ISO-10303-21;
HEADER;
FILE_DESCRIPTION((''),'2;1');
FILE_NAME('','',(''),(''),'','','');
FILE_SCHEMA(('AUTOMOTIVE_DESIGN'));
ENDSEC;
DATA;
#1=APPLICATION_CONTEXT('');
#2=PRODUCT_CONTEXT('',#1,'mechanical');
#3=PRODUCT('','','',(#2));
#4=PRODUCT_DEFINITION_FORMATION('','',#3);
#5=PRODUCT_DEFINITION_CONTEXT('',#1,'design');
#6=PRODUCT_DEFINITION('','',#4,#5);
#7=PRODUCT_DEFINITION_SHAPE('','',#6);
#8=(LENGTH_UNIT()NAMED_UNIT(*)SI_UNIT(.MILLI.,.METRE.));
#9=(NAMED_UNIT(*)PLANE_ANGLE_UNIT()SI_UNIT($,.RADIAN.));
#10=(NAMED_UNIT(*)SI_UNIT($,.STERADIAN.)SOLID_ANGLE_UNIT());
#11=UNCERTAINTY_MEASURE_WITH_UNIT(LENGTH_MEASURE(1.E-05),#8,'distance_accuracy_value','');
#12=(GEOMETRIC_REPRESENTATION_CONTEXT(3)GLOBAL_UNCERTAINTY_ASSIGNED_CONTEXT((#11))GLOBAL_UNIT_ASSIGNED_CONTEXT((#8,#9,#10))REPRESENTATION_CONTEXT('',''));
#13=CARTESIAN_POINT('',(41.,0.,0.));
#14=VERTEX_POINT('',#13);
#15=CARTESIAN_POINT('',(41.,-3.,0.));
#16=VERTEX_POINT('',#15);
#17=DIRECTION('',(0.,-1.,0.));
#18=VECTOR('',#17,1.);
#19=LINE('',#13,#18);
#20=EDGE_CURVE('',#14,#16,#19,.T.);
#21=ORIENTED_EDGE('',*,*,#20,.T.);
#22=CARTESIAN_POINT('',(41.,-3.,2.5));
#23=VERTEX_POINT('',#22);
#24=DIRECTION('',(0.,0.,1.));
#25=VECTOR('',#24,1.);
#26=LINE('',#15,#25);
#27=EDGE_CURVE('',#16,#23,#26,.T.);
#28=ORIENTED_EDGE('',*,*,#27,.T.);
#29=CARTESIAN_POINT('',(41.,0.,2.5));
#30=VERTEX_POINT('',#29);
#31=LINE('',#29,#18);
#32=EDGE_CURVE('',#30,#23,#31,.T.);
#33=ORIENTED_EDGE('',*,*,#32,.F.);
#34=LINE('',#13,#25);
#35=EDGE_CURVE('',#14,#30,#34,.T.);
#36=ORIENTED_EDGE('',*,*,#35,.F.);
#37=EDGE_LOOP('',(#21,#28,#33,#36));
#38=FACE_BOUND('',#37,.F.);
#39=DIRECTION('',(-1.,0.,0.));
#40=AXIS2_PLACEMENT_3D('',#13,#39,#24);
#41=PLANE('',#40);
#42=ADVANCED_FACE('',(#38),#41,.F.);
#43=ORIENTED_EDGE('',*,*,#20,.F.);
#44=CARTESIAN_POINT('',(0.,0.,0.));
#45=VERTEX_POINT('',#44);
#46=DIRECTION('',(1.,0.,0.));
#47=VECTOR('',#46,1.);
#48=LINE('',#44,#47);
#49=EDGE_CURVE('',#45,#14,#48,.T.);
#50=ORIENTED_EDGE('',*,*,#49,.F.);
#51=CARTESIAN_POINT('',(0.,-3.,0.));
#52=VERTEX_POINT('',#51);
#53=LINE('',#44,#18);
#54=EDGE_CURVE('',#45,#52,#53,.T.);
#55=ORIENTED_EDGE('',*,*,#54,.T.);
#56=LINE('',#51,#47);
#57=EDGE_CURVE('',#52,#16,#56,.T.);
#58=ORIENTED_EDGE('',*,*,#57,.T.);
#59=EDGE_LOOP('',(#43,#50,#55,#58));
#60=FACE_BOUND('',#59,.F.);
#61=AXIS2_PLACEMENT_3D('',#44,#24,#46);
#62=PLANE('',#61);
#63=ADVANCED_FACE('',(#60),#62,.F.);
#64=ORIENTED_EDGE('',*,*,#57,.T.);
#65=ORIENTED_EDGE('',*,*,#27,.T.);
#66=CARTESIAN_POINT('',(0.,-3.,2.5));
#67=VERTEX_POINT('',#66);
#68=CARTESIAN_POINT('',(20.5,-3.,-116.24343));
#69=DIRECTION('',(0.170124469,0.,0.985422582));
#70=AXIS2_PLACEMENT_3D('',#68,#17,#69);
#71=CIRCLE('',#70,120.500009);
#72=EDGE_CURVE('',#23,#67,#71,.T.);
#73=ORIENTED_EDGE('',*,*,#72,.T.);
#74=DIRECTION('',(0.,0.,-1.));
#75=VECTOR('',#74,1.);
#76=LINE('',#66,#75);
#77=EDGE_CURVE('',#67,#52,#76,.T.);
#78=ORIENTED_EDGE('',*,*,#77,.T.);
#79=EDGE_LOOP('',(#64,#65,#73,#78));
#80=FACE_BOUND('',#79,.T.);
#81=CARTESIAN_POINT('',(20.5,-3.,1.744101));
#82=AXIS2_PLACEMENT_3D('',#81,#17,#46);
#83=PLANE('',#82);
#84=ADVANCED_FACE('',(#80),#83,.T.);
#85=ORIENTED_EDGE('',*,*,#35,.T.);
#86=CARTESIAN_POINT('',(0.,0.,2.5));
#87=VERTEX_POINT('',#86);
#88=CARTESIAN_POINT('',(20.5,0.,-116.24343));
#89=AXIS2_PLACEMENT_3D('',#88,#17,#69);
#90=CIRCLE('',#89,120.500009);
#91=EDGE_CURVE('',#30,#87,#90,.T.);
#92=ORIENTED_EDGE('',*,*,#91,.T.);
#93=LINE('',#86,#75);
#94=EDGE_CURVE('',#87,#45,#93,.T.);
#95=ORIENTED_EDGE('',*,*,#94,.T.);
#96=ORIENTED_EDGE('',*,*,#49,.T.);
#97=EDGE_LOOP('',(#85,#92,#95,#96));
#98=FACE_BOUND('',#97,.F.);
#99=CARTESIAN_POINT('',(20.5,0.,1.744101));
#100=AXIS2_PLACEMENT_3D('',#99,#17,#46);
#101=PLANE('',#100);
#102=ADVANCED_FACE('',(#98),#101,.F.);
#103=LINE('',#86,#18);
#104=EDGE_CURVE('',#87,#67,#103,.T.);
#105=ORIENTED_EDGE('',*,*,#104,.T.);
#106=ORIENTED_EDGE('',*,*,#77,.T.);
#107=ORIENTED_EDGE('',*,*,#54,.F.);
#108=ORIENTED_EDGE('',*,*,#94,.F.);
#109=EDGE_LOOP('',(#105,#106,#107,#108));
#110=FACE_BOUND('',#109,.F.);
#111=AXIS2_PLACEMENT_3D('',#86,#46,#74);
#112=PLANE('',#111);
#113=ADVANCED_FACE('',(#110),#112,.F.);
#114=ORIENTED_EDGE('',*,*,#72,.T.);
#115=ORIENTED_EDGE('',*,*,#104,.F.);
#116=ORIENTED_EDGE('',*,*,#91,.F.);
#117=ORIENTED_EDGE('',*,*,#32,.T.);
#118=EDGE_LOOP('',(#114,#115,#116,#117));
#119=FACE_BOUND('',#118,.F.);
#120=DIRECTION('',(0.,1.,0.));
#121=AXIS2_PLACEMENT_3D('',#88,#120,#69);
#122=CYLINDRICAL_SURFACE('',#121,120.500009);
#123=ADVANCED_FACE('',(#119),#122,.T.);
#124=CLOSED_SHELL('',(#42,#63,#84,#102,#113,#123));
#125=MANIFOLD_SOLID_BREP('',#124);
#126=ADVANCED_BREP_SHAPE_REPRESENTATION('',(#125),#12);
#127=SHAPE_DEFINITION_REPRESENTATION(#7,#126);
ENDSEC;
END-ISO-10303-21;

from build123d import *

# Parameters (mm, degrees)
PAD_DEPTH = 3


with BuildPart() as part:
    # Sketch → Pad (new body)
    with BuildSketch(Plane.XZ):
        with BuildLine():
            Line((0, 2.5), (0, 0))
            Line((0, 0), (41, 0))
            Line((41, 0), (41, 2.5))
            ThreePointArc((41, 2.5), (20.5, 4.256579), (0, 2.5))
        make_face()
    extrude(amount=PAD_DEPTH)


solid = part.part
